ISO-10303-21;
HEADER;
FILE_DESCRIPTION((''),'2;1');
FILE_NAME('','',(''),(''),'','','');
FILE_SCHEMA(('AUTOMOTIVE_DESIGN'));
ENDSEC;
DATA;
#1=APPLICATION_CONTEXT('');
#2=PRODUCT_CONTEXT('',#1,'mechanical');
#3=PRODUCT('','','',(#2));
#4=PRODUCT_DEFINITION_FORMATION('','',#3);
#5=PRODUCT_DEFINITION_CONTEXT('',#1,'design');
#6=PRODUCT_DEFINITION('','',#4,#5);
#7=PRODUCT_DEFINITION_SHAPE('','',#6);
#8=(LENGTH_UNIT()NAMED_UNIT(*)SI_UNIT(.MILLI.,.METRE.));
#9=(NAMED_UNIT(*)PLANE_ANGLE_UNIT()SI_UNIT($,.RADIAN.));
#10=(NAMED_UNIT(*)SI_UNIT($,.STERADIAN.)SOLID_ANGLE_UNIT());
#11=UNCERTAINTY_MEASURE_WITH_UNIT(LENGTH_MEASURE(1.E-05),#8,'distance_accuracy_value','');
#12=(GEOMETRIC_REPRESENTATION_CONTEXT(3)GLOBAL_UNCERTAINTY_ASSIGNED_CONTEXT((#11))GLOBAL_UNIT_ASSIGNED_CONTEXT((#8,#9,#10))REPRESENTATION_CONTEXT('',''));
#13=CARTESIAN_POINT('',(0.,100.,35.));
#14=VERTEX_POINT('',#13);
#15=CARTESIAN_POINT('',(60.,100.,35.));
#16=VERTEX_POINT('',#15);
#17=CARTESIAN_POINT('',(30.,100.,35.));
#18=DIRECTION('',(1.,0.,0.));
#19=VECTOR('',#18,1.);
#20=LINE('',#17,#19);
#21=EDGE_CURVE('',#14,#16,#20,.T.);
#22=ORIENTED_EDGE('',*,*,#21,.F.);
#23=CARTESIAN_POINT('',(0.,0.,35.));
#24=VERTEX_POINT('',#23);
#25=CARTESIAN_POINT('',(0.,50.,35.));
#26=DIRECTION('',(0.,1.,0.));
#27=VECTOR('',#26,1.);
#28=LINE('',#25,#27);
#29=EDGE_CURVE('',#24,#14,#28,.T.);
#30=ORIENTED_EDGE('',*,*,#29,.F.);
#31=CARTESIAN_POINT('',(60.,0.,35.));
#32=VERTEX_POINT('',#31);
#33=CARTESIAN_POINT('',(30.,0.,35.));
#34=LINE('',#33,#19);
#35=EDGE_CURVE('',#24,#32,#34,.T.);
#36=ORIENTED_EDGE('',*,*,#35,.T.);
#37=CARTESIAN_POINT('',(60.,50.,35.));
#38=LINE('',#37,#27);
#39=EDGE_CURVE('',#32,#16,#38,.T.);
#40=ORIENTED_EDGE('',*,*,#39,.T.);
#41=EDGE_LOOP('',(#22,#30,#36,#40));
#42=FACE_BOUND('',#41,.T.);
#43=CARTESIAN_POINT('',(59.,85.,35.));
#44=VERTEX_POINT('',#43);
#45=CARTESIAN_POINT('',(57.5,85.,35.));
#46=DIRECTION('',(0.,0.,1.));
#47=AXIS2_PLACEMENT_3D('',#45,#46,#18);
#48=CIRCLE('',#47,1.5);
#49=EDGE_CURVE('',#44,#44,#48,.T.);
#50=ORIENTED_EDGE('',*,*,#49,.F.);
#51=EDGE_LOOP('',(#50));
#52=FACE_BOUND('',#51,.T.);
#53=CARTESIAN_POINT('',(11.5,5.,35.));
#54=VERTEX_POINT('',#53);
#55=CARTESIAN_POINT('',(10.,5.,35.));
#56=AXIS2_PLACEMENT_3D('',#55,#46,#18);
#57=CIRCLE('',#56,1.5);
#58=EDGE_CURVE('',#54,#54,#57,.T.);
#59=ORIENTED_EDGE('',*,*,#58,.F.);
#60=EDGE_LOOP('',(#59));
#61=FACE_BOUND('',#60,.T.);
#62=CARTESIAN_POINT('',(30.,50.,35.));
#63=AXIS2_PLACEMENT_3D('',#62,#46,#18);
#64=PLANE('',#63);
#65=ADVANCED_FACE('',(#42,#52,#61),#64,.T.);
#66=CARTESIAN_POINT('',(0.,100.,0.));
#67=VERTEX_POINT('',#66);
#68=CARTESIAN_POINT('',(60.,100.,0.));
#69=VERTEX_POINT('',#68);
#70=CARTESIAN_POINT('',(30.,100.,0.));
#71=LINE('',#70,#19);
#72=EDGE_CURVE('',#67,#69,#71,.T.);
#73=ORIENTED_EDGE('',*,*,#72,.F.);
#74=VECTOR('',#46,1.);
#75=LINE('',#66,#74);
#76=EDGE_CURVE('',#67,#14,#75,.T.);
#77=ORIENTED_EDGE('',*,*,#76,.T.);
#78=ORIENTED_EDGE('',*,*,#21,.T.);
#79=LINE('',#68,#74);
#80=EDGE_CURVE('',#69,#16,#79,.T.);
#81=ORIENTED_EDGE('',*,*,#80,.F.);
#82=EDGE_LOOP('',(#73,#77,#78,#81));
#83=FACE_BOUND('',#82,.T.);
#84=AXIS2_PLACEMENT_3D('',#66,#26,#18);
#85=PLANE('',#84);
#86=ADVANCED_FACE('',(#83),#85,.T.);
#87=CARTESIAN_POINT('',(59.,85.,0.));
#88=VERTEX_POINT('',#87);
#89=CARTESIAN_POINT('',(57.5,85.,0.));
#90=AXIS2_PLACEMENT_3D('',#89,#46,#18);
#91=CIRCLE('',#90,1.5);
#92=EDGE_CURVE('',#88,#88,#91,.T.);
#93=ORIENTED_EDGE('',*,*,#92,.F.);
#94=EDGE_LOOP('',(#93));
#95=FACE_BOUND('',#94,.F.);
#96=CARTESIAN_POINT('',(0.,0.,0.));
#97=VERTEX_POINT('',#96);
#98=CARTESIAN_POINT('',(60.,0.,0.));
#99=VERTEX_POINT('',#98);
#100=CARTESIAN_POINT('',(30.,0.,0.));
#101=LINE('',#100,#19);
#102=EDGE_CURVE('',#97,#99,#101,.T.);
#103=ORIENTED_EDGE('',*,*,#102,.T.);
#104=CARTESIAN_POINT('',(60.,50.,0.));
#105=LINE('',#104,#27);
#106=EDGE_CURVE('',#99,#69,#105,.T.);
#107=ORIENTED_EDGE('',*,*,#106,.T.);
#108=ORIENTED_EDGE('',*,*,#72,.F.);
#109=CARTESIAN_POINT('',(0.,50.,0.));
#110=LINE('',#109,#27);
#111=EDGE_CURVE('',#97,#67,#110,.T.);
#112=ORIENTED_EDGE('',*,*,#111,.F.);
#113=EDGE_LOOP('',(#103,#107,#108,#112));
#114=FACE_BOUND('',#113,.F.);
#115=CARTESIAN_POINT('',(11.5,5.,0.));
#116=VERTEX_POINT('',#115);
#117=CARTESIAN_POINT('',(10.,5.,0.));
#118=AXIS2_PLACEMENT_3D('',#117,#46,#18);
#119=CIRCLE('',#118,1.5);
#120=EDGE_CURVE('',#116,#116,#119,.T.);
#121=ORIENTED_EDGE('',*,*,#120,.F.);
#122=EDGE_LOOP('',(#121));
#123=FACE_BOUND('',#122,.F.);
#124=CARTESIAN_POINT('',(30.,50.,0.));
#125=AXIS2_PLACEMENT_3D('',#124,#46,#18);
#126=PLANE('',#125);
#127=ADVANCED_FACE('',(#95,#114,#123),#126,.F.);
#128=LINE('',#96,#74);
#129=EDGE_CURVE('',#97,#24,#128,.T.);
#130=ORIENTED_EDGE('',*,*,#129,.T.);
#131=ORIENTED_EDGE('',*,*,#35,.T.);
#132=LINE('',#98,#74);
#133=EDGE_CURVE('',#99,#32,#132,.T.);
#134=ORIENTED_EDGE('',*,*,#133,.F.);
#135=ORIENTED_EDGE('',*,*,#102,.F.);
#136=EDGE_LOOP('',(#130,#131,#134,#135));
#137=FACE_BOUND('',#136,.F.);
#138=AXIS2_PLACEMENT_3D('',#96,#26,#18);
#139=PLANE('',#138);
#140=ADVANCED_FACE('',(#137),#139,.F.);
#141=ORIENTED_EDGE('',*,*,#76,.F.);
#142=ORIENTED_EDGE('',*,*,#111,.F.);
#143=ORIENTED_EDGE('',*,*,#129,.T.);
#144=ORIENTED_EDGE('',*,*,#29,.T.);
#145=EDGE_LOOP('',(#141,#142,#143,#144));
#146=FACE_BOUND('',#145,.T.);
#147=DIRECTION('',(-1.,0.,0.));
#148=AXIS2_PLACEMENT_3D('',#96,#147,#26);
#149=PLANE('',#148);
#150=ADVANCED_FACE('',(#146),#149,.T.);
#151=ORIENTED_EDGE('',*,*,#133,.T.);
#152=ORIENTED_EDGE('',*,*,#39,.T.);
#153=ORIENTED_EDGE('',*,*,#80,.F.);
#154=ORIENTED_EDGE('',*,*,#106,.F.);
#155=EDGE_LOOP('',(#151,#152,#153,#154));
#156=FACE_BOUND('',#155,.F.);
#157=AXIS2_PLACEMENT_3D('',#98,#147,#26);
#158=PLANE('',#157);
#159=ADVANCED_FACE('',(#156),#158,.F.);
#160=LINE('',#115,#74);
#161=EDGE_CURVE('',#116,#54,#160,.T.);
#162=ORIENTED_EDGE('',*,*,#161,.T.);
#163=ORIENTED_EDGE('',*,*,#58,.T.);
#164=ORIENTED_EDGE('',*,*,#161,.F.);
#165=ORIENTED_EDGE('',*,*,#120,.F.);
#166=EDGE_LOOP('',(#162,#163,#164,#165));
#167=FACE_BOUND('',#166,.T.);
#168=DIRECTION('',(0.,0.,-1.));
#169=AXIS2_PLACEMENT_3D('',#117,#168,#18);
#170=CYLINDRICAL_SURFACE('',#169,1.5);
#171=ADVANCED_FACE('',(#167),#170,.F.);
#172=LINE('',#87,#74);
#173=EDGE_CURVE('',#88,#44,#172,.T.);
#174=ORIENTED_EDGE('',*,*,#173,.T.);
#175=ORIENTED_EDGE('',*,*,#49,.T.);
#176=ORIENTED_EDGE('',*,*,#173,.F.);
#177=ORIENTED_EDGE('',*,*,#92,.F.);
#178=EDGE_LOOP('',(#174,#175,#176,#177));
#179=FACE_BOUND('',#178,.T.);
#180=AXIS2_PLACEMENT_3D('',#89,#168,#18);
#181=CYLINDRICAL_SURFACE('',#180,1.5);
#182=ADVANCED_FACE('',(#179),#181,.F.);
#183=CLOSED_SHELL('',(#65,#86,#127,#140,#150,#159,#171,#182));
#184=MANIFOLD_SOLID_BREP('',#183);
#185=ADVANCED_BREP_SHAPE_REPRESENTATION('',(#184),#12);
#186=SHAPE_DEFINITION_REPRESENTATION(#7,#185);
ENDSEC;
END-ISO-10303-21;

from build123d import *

# Parameters (mm, degrees)
SKETCH_W  = 60
SKETCH_H  = 100
SKETCH_R  = 1.5
PAD_DEPTH = 35


with BuildPart() as part:
    # Sketch → Pad (new body)
    with BuildSketch(Plane.XY):
        with Locations((30, 50)):
            Rectangle(SKETCH_W, SKETCH_H)
        with Locations((10, 5)):
            Circle(SKETCH_R, mode=Mode.SUBTRACT)
        with Locations((57.5, 85)):
            Circle(SKETCH_R, mode=Mode.SUBTRACT)
    extrude(amount=PAD_DEPTH)


solid = part.part
